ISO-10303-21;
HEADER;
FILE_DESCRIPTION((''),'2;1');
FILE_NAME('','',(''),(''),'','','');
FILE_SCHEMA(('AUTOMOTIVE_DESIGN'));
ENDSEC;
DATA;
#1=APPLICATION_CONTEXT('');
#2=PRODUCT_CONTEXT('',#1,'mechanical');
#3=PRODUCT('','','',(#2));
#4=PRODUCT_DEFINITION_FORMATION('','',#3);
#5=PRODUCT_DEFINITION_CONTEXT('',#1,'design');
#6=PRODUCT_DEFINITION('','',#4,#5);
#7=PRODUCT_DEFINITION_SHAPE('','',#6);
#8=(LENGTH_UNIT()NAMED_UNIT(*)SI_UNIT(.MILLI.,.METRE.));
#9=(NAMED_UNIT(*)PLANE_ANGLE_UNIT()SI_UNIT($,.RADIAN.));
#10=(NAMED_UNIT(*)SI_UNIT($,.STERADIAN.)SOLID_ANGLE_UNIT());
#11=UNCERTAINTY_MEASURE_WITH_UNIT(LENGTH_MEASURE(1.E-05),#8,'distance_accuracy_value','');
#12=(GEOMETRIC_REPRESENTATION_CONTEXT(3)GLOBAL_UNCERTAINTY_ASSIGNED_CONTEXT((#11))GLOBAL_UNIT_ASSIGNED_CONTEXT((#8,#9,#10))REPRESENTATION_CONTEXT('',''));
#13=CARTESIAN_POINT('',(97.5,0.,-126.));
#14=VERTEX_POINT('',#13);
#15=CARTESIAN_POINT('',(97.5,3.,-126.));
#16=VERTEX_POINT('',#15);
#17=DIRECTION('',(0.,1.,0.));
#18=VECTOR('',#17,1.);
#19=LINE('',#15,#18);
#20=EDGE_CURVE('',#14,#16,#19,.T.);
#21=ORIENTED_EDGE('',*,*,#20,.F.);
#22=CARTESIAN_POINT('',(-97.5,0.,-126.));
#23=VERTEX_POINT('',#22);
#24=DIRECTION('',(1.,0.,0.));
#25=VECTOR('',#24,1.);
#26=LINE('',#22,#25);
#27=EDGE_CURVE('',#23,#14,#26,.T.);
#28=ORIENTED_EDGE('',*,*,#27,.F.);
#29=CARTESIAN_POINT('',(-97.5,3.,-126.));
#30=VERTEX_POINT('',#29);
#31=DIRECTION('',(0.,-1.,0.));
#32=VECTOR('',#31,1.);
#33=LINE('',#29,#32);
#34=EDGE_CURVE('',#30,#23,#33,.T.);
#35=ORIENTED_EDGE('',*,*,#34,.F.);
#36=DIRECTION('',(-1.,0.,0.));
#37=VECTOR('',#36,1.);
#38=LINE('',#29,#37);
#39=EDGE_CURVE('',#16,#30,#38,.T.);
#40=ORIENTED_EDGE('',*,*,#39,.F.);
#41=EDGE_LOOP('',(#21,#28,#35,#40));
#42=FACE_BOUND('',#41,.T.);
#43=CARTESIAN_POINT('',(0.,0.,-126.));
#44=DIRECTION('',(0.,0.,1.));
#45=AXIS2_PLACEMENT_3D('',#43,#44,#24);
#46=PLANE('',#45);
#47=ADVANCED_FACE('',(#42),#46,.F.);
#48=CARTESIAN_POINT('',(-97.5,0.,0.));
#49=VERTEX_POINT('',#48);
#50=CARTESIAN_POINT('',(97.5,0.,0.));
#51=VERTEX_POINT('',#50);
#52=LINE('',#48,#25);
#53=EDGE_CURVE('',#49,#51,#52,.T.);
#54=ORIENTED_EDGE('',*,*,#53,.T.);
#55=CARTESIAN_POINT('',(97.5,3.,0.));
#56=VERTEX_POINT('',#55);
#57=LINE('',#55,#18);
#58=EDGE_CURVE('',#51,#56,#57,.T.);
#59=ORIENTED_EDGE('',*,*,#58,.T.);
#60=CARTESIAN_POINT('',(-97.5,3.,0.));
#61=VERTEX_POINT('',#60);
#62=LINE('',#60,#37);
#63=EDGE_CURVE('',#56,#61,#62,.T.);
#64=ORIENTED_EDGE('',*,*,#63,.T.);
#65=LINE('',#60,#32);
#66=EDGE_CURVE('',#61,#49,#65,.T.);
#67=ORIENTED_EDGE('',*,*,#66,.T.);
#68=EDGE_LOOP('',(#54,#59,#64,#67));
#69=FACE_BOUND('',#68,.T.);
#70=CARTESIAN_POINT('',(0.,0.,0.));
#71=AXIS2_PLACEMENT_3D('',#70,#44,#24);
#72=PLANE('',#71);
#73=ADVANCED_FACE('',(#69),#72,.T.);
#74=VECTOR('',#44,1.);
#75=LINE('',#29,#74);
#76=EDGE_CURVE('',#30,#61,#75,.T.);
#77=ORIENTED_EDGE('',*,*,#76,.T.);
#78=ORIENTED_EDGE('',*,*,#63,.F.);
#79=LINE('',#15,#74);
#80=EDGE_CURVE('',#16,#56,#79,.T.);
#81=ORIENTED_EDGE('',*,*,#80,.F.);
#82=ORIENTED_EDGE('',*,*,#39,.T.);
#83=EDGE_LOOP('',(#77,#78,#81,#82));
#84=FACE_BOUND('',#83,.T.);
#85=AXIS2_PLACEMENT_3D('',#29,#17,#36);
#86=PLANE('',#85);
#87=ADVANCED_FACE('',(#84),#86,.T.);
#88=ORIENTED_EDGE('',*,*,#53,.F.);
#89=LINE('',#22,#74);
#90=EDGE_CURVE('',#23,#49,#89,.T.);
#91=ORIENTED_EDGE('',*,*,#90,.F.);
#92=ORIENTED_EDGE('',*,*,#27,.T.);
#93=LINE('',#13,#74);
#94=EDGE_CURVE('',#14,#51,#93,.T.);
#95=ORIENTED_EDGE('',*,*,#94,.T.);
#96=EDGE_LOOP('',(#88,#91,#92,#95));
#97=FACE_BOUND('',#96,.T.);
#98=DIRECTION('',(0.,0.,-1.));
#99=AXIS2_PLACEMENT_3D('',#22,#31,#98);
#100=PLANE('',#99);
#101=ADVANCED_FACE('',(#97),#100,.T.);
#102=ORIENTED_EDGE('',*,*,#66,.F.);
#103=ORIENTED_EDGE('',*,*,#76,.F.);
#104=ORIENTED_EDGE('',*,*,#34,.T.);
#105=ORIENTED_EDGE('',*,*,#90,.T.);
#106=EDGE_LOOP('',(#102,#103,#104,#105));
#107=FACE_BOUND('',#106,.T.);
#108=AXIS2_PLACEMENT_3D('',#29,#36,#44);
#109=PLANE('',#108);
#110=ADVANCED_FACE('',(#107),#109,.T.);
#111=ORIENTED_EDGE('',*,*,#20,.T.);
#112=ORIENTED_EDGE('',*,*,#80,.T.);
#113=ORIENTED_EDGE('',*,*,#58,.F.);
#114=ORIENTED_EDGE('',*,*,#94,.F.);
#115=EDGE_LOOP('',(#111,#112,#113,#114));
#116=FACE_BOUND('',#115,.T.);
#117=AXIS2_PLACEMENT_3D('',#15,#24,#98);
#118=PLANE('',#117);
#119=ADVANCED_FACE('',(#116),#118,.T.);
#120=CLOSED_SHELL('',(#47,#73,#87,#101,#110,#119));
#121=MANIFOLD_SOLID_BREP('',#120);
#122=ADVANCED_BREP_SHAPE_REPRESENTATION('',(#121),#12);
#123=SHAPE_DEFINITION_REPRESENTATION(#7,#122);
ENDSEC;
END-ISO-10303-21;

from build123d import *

# Parameters (mm, degrees)
CROQUIS2_W              = 195
CROQUIS2_H              = 3
SALIENTE_EXTRUIR2_DEPTH = 126


with BuildPart() as part:
    # Croquis2 → Saliente-Extruir2 (new body)
    with BuildSketch(Plane.XY):
        with Locations((0, 1.5)):
            Rectangle(CROQUIS2_W, CROQUIS2_H)
    extrude(amount=-SALIENTE_EXTRUIR2_DEPTH)


solid = part.part
